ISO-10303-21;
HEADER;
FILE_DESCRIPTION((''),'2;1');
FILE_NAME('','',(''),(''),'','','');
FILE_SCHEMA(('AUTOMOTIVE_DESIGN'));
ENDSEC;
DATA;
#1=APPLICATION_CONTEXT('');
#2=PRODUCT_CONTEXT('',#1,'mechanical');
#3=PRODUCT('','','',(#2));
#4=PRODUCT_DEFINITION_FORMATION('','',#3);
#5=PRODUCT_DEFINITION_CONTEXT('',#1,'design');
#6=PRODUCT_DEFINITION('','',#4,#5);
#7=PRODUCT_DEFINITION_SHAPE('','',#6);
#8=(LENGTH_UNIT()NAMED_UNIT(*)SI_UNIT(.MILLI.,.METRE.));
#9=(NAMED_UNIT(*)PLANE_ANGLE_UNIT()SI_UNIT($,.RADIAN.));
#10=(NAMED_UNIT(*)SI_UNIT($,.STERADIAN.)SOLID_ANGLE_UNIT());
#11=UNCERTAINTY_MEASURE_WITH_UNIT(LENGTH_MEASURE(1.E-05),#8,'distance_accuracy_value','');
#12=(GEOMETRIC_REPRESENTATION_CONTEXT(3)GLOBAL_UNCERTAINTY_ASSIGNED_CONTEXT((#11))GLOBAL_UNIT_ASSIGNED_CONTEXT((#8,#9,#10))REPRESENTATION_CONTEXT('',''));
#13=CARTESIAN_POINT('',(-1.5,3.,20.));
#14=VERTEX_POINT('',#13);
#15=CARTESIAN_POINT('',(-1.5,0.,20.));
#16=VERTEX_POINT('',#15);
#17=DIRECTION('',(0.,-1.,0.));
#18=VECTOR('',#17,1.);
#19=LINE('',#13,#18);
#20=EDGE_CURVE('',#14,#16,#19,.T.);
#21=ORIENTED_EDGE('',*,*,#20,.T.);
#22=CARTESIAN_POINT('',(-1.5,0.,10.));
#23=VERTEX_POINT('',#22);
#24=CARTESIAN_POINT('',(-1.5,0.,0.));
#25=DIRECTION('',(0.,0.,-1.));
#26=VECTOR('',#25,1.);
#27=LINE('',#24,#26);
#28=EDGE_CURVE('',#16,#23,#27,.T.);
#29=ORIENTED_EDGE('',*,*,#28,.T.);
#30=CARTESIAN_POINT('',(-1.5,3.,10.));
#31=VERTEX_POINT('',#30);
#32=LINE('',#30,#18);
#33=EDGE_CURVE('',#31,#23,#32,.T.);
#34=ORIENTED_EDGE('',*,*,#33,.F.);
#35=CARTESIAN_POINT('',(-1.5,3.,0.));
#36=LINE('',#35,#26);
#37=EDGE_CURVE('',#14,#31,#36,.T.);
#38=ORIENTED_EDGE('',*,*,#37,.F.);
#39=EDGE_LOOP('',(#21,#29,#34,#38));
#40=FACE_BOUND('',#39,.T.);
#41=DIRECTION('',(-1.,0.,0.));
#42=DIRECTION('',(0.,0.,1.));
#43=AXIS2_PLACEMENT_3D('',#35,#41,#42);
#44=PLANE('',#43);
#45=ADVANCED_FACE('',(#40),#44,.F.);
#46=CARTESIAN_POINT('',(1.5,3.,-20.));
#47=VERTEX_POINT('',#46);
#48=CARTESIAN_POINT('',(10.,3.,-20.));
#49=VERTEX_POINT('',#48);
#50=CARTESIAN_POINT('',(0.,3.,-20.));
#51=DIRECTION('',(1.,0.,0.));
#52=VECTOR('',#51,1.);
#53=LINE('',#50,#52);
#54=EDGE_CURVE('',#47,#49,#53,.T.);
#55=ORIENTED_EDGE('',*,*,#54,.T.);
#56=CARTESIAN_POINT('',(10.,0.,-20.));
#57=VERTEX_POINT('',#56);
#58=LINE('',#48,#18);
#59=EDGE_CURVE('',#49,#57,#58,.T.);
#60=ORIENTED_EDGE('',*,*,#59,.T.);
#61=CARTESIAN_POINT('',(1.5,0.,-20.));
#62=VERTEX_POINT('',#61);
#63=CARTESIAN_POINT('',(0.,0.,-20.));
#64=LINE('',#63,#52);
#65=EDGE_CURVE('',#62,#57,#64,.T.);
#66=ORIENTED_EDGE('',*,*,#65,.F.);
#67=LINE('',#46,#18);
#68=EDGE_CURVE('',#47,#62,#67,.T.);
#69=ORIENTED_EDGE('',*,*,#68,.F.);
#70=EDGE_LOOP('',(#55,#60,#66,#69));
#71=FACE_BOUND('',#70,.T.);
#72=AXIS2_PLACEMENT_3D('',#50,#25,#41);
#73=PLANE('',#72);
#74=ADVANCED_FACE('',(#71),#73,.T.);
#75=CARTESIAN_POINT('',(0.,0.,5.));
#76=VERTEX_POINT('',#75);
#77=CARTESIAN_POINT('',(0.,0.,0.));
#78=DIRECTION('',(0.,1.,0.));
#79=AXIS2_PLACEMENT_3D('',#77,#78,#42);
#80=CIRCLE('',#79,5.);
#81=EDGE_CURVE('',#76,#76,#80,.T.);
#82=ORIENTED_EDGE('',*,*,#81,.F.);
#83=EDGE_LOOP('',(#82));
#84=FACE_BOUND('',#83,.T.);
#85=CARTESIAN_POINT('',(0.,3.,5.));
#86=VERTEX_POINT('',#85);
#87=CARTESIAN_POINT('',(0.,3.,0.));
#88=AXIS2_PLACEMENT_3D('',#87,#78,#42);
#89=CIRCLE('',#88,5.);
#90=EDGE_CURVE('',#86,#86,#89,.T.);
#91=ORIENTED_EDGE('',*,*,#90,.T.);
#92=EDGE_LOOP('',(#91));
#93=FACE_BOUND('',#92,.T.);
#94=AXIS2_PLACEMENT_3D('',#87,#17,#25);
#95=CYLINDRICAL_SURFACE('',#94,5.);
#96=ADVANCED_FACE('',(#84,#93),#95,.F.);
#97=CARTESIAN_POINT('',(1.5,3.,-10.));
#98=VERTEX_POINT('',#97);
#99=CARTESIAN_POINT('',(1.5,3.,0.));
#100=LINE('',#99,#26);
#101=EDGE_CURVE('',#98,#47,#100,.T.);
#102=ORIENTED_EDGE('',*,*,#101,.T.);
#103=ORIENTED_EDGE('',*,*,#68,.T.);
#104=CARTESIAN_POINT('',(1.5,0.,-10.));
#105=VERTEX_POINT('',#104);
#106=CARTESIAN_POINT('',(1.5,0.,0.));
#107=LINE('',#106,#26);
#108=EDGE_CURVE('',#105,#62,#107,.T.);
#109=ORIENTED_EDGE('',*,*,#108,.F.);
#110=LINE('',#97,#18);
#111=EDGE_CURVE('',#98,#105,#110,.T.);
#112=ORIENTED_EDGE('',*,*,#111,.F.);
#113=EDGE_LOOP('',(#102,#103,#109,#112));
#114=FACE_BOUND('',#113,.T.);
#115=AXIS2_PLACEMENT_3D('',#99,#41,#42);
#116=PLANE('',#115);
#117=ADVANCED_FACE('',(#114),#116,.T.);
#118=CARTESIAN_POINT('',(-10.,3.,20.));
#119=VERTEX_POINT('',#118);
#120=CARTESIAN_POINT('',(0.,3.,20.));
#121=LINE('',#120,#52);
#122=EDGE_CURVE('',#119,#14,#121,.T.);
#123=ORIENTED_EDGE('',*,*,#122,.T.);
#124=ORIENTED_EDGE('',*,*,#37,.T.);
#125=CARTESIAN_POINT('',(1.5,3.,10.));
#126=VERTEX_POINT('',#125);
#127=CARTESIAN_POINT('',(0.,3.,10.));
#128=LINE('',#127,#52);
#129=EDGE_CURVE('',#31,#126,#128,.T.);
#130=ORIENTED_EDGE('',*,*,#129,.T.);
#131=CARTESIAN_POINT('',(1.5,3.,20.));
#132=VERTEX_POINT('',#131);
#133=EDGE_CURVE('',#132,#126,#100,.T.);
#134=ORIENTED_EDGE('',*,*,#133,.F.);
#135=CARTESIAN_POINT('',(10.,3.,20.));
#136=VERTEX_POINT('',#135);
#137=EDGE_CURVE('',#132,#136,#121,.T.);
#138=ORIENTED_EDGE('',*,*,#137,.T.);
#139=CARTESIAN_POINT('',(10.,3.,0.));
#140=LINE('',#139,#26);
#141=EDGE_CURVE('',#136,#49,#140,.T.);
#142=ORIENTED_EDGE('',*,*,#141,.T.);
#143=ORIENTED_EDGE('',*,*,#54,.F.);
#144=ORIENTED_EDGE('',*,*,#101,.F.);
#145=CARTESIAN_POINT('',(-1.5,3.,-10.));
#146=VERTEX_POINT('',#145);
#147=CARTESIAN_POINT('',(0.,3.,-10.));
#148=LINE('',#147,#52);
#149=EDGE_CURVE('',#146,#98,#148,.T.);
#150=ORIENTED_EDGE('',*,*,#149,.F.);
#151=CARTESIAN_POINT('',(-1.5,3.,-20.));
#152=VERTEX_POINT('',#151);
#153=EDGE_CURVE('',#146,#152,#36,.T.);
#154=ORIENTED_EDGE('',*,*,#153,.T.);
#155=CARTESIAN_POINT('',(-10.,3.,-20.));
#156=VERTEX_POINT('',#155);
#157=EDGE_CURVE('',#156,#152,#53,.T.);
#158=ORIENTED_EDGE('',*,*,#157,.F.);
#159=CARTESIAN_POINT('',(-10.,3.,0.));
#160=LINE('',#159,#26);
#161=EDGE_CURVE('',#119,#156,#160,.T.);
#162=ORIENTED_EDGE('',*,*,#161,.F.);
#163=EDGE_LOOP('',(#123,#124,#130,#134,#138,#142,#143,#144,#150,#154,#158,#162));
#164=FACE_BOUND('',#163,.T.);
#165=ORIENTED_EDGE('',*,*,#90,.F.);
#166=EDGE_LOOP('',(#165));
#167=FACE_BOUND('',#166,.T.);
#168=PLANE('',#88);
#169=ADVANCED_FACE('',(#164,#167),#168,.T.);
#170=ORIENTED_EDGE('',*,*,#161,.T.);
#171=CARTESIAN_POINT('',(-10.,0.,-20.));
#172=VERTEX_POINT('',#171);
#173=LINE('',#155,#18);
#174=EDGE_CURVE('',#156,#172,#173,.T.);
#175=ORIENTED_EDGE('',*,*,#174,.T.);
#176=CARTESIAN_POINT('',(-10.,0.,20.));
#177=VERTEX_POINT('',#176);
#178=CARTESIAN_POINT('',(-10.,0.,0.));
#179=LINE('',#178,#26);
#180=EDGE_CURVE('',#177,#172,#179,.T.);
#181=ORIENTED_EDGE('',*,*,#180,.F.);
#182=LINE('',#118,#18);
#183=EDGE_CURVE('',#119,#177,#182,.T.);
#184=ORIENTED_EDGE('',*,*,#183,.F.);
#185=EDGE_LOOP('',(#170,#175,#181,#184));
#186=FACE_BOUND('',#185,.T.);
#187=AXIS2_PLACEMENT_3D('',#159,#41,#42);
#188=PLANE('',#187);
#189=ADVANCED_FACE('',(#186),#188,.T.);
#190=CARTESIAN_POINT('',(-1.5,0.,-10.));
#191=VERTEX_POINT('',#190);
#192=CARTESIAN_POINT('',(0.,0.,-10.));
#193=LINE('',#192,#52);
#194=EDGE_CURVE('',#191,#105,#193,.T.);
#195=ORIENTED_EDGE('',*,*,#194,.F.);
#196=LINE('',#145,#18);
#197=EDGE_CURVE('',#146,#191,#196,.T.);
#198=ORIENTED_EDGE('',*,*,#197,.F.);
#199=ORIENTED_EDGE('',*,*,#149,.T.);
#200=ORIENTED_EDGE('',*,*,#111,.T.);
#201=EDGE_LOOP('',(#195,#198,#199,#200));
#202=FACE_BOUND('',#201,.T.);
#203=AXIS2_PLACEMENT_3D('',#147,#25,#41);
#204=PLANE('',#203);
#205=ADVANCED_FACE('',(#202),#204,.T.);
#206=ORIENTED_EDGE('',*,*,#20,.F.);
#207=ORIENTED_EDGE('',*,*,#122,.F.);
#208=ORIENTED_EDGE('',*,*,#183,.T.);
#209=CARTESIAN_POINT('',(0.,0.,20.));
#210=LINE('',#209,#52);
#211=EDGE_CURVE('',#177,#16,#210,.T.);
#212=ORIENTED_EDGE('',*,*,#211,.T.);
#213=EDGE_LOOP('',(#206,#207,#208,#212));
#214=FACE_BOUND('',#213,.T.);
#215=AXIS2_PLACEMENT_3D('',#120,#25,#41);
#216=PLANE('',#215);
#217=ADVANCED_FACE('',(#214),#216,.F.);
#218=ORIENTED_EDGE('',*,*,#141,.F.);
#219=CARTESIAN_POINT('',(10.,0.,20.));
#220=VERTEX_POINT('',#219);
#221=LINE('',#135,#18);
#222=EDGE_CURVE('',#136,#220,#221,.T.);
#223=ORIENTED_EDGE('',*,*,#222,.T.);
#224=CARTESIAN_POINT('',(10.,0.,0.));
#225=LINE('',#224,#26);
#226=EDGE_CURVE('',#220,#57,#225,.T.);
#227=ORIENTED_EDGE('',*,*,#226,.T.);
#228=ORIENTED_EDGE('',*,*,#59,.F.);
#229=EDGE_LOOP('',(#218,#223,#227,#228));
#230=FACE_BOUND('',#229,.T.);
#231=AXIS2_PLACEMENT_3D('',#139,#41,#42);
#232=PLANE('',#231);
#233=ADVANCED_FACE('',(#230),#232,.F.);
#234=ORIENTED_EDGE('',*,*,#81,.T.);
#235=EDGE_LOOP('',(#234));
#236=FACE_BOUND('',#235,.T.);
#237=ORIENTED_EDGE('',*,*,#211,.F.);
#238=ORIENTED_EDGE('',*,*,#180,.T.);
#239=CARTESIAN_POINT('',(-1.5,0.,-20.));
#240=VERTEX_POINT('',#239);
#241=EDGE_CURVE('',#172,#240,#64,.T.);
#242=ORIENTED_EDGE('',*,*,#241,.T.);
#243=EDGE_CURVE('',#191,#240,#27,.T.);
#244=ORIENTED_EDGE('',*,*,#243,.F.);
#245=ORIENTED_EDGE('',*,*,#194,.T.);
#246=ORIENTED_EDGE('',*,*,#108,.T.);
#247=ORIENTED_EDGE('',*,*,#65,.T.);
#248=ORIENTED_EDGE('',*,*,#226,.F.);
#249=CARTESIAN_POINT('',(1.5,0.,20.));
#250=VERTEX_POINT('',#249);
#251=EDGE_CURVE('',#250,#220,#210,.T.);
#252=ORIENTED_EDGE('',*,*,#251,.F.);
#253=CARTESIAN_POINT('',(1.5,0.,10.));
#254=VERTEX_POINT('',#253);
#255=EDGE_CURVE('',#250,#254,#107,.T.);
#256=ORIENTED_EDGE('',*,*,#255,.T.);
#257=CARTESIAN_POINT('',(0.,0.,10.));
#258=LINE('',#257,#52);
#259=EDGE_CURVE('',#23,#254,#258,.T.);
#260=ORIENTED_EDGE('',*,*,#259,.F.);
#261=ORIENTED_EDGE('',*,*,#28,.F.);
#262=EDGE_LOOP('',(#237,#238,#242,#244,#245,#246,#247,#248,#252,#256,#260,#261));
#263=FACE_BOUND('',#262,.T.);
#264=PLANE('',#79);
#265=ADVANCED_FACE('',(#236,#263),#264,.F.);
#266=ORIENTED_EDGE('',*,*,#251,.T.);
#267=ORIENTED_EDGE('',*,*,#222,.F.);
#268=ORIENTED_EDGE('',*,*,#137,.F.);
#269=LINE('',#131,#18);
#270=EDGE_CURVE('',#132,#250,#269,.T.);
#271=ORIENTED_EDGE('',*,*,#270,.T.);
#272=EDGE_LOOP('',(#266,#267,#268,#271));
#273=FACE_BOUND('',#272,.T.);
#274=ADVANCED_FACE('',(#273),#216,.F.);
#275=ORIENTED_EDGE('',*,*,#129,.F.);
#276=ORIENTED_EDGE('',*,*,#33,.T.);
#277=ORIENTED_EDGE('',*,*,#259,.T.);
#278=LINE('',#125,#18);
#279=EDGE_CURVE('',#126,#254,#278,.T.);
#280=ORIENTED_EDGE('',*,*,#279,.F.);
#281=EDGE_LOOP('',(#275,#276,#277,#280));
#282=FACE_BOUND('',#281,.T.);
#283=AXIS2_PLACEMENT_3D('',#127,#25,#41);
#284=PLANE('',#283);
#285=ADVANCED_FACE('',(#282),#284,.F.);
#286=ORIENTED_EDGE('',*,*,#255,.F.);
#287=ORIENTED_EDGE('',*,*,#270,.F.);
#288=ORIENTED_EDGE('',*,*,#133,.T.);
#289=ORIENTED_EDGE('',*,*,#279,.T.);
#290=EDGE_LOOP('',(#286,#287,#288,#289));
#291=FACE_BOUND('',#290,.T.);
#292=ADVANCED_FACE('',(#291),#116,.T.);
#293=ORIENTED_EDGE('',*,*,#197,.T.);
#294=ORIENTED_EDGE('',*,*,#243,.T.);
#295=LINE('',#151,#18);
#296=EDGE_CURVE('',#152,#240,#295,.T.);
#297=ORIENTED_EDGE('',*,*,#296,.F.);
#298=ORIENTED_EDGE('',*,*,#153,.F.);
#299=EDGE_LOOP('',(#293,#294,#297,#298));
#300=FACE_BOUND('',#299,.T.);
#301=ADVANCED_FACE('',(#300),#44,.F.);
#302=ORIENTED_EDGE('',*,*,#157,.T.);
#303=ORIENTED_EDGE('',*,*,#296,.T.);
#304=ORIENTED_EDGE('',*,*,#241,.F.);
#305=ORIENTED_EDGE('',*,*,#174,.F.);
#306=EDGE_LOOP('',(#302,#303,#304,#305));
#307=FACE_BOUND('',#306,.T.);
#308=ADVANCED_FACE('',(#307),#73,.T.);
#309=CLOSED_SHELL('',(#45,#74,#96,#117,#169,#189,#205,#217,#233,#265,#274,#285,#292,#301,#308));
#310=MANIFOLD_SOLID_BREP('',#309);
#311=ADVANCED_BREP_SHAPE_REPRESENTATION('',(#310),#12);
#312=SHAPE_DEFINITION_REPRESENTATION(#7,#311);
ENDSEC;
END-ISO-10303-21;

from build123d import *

# Parameters (mm, degrees)
SKETCH_2_R      = 5
EXTRUDE_1_DEPTH = 3


with BuildPart() as part:
    # 草图2 → 凸台-拉伸1 (new body)
    with BuildSketch(Plane(origin=(0, 0, 0), x_dir=(1, 0, 0), z_dir=(0, 1, 0))):
        Polygon((1.5, 10), (1.5, 20), (10, 20), (10, -20), (1.5, -20), (1.5, -10), (-1.5, -10), (-1.5, -20), (-10, -20), (-10, 20), (-1.5, 20), (-1.5, 10), align=None)
        with Locations(Location((0, 0, 0), (0, 0, 270))):
            Circle(SKETCH_2_R, mode=Mode.SUBTRACT)
    extrude(amount=EXTRUDE_1_DEPTH)


solid = part.part
